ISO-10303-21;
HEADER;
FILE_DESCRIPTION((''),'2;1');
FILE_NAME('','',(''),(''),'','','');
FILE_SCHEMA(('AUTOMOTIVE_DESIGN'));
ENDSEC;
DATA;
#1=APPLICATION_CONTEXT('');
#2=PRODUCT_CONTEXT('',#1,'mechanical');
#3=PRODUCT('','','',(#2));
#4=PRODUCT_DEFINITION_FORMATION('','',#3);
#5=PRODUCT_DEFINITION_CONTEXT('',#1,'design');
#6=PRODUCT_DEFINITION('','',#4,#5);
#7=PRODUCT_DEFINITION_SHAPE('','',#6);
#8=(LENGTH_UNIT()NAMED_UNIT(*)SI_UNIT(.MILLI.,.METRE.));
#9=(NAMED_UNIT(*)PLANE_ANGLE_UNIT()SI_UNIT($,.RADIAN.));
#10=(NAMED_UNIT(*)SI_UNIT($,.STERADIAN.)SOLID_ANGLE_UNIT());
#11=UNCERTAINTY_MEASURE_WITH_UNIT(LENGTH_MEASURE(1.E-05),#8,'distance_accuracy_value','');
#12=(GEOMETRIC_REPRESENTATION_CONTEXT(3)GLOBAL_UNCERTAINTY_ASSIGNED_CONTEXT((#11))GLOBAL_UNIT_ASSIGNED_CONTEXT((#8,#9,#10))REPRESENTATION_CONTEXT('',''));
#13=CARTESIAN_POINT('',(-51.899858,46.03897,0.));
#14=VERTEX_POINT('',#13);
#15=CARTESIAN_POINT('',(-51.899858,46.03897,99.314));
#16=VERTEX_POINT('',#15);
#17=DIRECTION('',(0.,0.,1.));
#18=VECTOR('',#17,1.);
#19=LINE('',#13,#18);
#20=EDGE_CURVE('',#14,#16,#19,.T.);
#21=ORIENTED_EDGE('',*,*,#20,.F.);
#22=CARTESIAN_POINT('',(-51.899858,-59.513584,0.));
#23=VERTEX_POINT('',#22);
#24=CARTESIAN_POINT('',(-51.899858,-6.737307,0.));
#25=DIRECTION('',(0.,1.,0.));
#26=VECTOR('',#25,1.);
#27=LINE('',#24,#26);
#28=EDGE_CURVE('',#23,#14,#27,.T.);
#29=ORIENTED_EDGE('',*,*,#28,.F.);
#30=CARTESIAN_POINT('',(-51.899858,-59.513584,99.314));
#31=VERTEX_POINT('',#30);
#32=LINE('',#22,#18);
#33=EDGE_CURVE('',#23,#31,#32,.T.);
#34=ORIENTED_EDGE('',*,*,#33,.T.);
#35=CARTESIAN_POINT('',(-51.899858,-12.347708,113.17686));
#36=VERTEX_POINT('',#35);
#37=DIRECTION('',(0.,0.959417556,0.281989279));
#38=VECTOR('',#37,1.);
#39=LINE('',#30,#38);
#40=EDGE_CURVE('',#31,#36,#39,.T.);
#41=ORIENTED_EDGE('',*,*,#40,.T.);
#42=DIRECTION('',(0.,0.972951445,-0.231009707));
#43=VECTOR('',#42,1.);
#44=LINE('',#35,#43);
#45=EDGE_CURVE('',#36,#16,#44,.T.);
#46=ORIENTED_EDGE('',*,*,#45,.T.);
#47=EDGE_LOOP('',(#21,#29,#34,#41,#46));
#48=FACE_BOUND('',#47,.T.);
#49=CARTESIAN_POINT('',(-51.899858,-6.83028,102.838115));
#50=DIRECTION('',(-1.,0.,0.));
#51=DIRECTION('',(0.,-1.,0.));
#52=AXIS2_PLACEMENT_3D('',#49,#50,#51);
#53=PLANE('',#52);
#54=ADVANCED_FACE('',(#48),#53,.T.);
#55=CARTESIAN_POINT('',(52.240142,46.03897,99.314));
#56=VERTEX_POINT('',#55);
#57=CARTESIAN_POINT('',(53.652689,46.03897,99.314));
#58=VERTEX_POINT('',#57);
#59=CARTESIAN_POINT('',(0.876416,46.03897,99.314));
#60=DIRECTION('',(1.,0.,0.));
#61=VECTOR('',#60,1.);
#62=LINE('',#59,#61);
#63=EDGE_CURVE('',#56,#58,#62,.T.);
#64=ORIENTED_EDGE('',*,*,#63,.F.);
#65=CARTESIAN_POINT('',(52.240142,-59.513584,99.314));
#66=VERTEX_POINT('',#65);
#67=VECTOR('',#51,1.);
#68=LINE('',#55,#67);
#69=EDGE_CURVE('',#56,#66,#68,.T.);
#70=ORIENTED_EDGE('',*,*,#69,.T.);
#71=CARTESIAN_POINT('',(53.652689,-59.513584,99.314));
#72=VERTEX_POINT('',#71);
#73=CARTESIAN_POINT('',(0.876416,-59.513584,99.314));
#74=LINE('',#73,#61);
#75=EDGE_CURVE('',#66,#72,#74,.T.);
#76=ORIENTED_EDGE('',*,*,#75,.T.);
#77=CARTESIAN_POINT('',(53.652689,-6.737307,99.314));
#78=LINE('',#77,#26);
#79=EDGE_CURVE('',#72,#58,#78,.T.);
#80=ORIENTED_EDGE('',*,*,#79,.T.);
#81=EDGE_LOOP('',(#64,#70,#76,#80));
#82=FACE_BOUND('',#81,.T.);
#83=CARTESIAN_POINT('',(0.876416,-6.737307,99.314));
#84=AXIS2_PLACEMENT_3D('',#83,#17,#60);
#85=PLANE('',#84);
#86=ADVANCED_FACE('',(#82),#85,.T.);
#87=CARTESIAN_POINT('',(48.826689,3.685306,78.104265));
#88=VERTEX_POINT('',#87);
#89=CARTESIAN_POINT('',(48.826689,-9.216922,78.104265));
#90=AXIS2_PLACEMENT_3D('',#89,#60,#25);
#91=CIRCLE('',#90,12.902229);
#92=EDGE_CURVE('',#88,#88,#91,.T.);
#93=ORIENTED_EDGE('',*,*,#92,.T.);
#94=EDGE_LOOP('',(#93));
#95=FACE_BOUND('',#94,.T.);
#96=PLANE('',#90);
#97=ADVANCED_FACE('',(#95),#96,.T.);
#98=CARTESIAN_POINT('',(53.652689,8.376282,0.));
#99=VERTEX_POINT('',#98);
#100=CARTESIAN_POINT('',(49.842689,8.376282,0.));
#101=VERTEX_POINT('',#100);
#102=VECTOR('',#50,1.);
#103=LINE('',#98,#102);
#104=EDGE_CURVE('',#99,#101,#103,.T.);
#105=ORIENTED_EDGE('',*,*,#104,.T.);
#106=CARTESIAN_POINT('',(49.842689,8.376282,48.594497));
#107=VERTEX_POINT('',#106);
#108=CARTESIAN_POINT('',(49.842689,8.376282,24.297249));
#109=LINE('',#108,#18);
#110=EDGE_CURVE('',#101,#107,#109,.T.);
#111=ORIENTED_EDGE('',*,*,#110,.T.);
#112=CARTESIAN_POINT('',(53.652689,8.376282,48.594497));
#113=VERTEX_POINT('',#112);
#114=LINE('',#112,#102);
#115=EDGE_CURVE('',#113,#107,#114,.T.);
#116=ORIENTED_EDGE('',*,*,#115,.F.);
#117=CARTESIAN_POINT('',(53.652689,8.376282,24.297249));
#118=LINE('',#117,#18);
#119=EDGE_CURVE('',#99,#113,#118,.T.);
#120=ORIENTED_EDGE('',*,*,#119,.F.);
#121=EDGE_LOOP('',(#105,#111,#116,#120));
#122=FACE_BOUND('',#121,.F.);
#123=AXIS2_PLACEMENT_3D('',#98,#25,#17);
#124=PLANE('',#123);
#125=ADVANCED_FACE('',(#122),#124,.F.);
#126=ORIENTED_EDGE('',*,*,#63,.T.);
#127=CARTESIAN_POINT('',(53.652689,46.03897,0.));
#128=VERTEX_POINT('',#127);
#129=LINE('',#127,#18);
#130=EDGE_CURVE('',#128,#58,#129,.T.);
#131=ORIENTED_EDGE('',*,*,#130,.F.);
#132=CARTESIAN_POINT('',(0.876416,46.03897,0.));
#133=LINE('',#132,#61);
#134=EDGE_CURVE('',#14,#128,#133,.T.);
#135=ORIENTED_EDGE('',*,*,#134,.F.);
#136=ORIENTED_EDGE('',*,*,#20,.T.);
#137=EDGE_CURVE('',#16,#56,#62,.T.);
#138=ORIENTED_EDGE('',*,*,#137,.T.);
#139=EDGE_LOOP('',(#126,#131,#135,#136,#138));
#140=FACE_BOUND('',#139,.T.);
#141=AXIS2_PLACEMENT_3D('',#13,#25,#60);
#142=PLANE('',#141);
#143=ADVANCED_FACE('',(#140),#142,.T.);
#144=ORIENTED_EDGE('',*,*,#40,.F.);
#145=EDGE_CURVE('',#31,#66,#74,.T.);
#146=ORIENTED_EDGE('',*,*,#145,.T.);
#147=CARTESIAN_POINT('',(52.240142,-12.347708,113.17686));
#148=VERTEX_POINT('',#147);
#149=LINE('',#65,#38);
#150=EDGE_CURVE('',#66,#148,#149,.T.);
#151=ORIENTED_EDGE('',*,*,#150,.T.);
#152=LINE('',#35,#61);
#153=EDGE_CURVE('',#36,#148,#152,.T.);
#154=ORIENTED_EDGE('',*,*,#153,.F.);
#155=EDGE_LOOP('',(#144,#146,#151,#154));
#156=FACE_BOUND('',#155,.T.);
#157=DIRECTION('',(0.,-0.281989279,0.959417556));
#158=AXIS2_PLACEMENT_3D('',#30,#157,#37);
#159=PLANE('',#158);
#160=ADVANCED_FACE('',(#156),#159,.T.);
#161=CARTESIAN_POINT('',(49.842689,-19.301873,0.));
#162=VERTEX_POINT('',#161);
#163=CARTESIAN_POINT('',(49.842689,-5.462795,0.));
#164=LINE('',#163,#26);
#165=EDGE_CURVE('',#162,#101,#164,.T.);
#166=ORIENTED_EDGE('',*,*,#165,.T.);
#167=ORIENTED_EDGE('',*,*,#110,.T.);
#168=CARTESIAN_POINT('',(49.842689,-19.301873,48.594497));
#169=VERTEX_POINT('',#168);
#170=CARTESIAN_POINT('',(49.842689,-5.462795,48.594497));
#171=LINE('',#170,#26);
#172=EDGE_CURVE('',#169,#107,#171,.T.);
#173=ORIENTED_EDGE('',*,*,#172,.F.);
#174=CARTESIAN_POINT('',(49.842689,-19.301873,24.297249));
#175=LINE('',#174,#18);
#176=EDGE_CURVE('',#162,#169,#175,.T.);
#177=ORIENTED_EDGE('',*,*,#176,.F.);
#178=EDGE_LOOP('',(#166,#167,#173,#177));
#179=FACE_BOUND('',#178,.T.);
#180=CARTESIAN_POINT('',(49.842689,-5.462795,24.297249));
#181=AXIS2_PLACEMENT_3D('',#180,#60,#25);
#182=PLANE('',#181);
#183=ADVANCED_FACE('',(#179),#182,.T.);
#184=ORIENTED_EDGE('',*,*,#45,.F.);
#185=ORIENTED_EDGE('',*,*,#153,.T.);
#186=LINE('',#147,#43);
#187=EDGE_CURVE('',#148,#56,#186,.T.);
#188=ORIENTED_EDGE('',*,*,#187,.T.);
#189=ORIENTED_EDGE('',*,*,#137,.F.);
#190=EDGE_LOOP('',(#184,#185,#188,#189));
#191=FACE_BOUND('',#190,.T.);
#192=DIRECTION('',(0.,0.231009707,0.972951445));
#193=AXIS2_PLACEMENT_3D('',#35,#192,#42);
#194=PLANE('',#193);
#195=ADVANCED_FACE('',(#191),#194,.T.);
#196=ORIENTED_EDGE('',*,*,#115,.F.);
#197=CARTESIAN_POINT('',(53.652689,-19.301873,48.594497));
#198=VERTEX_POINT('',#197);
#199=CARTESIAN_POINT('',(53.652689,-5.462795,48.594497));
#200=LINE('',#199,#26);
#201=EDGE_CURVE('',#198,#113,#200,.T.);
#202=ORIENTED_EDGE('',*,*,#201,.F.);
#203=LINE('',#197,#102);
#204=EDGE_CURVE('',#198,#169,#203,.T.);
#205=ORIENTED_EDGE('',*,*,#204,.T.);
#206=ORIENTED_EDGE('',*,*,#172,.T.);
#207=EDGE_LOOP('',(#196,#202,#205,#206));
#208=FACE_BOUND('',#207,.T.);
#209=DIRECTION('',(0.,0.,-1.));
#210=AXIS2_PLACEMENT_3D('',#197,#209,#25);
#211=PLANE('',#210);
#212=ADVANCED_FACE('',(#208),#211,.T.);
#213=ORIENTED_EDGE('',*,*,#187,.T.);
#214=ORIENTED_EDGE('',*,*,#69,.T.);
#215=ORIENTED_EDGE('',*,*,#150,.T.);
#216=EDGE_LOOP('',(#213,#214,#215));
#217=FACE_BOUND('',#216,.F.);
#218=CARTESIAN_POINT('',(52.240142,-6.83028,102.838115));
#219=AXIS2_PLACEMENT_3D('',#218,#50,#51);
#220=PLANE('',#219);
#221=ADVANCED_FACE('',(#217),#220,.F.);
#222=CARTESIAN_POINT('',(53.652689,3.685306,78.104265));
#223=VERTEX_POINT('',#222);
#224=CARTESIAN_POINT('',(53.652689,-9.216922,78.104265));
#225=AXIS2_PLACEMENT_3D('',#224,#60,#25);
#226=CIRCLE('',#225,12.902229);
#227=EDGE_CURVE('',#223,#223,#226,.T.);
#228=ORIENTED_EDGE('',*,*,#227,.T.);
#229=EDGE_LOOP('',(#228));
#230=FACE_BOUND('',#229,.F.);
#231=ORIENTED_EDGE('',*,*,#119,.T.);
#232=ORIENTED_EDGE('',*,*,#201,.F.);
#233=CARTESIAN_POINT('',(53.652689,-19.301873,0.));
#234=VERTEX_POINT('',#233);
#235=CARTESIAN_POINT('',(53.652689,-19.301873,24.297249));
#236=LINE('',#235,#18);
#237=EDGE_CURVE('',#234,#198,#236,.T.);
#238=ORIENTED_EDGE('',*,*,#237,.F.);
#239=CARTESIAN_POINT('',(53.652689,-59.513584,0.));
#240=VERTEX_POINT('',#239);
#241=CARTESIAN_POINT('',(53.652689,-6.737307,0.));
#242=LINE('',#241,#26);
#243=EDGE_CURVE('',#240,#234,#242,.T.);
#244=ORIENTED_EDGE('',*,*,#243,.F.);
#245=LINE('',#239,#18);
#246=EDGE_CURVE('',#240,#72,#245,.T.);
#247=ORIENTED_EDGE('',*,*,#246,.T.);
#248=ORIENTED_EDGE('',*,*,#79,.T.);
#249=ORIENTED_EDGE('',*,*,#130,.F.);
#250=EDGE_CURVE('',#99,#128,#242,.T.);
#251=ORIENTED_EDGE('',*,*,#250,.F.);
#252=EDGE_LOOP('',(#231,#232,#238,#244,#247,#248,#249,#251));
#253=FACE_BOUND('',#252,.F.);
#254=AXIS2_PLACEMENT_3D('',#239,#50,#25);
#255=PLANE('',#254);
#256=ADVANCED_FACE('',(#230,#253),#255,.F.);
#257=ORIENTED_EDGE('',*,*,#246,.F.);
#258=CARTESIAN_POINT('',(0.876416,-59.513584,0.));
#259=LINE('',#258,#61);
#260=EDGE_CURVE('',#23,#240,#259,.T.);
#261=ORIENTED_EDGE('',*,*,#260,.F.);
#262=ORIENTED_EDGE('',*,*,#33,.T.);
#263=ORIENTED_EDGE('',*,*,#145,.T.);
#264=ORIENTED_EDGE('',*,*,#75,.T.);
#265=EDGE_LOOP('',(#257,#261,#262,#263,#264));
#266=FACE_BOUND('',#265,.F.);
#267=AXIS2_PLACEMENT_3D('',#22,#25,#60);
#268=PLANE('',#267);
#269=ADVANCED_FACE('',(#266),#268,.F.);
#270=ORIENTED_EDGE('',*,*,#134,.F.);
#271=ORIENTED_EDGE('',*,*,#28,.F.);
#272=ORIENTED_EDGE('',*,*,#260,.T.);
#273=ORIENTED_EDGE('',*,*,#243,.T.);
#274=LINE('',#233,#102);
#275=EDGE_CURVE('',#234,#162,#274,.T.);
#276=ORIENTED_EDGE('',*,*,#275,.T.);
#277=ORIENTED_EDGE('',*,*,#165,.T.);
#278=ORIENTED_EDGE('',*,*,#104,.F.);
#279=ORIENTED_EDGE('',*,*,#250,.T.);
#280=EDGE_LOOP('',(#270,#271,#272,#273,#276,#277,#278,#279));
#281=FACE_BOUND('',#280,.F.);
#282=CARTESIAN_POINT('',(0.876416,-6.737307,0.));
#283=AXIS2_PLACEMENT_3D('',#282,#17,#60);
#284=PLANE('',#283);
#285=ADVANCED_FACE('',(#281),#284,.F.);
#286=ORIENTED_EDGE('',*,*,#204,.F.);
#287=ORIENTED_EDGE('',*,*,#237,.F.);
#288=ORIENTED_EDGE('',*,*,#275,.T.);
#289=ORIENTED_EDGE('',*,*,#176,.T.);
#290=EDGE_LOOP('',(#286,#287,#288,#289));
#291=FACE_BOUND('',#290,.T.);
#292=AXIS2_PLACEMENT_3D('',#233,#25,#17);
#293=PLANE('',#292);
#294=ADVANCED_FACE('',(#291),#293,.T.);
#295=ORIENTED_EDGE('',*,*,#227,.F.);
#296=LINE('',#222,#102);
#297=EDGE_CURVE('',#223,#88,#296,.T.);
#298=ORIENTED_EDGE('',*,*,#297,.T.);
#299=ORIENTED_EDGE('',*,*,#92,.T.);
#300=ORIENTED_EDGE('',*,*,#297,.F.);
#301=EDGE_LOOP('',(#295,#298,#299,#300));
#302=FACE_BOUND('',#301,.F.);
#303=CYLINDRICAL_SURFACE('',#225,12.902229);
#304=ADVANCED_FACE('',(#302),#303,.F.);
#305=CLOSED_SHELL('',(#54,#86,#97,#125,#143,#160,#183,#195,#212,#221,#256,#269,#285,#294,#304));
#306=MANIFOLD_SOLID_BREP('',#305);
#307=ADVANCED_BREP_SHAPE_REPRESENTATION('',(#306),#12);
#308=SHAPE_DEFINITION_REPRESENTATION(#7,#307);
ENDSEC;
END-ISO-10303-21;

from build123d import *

# Parameters (mm, degrees)
F0_W     = 105.55254668
F0_H     = 105.5525541306
F1_DEPTH = 99.314
F3_DEPTH = 104.14
F4_W     = 27.6781544089
F4_H     = 48.5944971442
F5_DEPTH = 3.81
F6_R     = 12.9022285529
F7_DEPTH = 4.826


with BuildPart() as f1:
    # F0 (on Top) → F1 (new body)
    with BuildSketch(Plane.XY):
        with Locations((0.8764155209, -6.7373067141)):
            Rectangle(F0_W, F0_H)
    extrude(amount=F1_DEPTH)

    # F2 (on face) → F3 (join)
    with BuildSketch(Plane(origin=(-51.8998578191, 0, 0), x_dir=(0, -1, 0), z_dir=(-1, 0, 0))):
        Polygon((12.3477084562, 113.1768599153), (-46.0389703512, 99.314), (59.5135837793, 99.314), align=None)
    extrude(amount=-F3_DEPTH)

    # F4 (on face) → F5 (cut)
    with BuildSketch(Plane.YZ.offset(53.6526888609)):
        with Locations((-5.462795496, 24.2972485721)):
            Rectangle(F4_W, F4_H)
    extrude(amount=-F5_DEPTH, mode=Mode.SUBTRACT)

    # F6 (on face) → F7 (cut)
    with BuildSketch(Plane.YZ.offset(53.6526888609)):
        with Locations((-9.2169223353, 78.1042650342)):
            Circle(F6_R)
    extrude(amount=-F7_DEPTH, mode=Mode.SUBTRACT)


solid = f1.part
